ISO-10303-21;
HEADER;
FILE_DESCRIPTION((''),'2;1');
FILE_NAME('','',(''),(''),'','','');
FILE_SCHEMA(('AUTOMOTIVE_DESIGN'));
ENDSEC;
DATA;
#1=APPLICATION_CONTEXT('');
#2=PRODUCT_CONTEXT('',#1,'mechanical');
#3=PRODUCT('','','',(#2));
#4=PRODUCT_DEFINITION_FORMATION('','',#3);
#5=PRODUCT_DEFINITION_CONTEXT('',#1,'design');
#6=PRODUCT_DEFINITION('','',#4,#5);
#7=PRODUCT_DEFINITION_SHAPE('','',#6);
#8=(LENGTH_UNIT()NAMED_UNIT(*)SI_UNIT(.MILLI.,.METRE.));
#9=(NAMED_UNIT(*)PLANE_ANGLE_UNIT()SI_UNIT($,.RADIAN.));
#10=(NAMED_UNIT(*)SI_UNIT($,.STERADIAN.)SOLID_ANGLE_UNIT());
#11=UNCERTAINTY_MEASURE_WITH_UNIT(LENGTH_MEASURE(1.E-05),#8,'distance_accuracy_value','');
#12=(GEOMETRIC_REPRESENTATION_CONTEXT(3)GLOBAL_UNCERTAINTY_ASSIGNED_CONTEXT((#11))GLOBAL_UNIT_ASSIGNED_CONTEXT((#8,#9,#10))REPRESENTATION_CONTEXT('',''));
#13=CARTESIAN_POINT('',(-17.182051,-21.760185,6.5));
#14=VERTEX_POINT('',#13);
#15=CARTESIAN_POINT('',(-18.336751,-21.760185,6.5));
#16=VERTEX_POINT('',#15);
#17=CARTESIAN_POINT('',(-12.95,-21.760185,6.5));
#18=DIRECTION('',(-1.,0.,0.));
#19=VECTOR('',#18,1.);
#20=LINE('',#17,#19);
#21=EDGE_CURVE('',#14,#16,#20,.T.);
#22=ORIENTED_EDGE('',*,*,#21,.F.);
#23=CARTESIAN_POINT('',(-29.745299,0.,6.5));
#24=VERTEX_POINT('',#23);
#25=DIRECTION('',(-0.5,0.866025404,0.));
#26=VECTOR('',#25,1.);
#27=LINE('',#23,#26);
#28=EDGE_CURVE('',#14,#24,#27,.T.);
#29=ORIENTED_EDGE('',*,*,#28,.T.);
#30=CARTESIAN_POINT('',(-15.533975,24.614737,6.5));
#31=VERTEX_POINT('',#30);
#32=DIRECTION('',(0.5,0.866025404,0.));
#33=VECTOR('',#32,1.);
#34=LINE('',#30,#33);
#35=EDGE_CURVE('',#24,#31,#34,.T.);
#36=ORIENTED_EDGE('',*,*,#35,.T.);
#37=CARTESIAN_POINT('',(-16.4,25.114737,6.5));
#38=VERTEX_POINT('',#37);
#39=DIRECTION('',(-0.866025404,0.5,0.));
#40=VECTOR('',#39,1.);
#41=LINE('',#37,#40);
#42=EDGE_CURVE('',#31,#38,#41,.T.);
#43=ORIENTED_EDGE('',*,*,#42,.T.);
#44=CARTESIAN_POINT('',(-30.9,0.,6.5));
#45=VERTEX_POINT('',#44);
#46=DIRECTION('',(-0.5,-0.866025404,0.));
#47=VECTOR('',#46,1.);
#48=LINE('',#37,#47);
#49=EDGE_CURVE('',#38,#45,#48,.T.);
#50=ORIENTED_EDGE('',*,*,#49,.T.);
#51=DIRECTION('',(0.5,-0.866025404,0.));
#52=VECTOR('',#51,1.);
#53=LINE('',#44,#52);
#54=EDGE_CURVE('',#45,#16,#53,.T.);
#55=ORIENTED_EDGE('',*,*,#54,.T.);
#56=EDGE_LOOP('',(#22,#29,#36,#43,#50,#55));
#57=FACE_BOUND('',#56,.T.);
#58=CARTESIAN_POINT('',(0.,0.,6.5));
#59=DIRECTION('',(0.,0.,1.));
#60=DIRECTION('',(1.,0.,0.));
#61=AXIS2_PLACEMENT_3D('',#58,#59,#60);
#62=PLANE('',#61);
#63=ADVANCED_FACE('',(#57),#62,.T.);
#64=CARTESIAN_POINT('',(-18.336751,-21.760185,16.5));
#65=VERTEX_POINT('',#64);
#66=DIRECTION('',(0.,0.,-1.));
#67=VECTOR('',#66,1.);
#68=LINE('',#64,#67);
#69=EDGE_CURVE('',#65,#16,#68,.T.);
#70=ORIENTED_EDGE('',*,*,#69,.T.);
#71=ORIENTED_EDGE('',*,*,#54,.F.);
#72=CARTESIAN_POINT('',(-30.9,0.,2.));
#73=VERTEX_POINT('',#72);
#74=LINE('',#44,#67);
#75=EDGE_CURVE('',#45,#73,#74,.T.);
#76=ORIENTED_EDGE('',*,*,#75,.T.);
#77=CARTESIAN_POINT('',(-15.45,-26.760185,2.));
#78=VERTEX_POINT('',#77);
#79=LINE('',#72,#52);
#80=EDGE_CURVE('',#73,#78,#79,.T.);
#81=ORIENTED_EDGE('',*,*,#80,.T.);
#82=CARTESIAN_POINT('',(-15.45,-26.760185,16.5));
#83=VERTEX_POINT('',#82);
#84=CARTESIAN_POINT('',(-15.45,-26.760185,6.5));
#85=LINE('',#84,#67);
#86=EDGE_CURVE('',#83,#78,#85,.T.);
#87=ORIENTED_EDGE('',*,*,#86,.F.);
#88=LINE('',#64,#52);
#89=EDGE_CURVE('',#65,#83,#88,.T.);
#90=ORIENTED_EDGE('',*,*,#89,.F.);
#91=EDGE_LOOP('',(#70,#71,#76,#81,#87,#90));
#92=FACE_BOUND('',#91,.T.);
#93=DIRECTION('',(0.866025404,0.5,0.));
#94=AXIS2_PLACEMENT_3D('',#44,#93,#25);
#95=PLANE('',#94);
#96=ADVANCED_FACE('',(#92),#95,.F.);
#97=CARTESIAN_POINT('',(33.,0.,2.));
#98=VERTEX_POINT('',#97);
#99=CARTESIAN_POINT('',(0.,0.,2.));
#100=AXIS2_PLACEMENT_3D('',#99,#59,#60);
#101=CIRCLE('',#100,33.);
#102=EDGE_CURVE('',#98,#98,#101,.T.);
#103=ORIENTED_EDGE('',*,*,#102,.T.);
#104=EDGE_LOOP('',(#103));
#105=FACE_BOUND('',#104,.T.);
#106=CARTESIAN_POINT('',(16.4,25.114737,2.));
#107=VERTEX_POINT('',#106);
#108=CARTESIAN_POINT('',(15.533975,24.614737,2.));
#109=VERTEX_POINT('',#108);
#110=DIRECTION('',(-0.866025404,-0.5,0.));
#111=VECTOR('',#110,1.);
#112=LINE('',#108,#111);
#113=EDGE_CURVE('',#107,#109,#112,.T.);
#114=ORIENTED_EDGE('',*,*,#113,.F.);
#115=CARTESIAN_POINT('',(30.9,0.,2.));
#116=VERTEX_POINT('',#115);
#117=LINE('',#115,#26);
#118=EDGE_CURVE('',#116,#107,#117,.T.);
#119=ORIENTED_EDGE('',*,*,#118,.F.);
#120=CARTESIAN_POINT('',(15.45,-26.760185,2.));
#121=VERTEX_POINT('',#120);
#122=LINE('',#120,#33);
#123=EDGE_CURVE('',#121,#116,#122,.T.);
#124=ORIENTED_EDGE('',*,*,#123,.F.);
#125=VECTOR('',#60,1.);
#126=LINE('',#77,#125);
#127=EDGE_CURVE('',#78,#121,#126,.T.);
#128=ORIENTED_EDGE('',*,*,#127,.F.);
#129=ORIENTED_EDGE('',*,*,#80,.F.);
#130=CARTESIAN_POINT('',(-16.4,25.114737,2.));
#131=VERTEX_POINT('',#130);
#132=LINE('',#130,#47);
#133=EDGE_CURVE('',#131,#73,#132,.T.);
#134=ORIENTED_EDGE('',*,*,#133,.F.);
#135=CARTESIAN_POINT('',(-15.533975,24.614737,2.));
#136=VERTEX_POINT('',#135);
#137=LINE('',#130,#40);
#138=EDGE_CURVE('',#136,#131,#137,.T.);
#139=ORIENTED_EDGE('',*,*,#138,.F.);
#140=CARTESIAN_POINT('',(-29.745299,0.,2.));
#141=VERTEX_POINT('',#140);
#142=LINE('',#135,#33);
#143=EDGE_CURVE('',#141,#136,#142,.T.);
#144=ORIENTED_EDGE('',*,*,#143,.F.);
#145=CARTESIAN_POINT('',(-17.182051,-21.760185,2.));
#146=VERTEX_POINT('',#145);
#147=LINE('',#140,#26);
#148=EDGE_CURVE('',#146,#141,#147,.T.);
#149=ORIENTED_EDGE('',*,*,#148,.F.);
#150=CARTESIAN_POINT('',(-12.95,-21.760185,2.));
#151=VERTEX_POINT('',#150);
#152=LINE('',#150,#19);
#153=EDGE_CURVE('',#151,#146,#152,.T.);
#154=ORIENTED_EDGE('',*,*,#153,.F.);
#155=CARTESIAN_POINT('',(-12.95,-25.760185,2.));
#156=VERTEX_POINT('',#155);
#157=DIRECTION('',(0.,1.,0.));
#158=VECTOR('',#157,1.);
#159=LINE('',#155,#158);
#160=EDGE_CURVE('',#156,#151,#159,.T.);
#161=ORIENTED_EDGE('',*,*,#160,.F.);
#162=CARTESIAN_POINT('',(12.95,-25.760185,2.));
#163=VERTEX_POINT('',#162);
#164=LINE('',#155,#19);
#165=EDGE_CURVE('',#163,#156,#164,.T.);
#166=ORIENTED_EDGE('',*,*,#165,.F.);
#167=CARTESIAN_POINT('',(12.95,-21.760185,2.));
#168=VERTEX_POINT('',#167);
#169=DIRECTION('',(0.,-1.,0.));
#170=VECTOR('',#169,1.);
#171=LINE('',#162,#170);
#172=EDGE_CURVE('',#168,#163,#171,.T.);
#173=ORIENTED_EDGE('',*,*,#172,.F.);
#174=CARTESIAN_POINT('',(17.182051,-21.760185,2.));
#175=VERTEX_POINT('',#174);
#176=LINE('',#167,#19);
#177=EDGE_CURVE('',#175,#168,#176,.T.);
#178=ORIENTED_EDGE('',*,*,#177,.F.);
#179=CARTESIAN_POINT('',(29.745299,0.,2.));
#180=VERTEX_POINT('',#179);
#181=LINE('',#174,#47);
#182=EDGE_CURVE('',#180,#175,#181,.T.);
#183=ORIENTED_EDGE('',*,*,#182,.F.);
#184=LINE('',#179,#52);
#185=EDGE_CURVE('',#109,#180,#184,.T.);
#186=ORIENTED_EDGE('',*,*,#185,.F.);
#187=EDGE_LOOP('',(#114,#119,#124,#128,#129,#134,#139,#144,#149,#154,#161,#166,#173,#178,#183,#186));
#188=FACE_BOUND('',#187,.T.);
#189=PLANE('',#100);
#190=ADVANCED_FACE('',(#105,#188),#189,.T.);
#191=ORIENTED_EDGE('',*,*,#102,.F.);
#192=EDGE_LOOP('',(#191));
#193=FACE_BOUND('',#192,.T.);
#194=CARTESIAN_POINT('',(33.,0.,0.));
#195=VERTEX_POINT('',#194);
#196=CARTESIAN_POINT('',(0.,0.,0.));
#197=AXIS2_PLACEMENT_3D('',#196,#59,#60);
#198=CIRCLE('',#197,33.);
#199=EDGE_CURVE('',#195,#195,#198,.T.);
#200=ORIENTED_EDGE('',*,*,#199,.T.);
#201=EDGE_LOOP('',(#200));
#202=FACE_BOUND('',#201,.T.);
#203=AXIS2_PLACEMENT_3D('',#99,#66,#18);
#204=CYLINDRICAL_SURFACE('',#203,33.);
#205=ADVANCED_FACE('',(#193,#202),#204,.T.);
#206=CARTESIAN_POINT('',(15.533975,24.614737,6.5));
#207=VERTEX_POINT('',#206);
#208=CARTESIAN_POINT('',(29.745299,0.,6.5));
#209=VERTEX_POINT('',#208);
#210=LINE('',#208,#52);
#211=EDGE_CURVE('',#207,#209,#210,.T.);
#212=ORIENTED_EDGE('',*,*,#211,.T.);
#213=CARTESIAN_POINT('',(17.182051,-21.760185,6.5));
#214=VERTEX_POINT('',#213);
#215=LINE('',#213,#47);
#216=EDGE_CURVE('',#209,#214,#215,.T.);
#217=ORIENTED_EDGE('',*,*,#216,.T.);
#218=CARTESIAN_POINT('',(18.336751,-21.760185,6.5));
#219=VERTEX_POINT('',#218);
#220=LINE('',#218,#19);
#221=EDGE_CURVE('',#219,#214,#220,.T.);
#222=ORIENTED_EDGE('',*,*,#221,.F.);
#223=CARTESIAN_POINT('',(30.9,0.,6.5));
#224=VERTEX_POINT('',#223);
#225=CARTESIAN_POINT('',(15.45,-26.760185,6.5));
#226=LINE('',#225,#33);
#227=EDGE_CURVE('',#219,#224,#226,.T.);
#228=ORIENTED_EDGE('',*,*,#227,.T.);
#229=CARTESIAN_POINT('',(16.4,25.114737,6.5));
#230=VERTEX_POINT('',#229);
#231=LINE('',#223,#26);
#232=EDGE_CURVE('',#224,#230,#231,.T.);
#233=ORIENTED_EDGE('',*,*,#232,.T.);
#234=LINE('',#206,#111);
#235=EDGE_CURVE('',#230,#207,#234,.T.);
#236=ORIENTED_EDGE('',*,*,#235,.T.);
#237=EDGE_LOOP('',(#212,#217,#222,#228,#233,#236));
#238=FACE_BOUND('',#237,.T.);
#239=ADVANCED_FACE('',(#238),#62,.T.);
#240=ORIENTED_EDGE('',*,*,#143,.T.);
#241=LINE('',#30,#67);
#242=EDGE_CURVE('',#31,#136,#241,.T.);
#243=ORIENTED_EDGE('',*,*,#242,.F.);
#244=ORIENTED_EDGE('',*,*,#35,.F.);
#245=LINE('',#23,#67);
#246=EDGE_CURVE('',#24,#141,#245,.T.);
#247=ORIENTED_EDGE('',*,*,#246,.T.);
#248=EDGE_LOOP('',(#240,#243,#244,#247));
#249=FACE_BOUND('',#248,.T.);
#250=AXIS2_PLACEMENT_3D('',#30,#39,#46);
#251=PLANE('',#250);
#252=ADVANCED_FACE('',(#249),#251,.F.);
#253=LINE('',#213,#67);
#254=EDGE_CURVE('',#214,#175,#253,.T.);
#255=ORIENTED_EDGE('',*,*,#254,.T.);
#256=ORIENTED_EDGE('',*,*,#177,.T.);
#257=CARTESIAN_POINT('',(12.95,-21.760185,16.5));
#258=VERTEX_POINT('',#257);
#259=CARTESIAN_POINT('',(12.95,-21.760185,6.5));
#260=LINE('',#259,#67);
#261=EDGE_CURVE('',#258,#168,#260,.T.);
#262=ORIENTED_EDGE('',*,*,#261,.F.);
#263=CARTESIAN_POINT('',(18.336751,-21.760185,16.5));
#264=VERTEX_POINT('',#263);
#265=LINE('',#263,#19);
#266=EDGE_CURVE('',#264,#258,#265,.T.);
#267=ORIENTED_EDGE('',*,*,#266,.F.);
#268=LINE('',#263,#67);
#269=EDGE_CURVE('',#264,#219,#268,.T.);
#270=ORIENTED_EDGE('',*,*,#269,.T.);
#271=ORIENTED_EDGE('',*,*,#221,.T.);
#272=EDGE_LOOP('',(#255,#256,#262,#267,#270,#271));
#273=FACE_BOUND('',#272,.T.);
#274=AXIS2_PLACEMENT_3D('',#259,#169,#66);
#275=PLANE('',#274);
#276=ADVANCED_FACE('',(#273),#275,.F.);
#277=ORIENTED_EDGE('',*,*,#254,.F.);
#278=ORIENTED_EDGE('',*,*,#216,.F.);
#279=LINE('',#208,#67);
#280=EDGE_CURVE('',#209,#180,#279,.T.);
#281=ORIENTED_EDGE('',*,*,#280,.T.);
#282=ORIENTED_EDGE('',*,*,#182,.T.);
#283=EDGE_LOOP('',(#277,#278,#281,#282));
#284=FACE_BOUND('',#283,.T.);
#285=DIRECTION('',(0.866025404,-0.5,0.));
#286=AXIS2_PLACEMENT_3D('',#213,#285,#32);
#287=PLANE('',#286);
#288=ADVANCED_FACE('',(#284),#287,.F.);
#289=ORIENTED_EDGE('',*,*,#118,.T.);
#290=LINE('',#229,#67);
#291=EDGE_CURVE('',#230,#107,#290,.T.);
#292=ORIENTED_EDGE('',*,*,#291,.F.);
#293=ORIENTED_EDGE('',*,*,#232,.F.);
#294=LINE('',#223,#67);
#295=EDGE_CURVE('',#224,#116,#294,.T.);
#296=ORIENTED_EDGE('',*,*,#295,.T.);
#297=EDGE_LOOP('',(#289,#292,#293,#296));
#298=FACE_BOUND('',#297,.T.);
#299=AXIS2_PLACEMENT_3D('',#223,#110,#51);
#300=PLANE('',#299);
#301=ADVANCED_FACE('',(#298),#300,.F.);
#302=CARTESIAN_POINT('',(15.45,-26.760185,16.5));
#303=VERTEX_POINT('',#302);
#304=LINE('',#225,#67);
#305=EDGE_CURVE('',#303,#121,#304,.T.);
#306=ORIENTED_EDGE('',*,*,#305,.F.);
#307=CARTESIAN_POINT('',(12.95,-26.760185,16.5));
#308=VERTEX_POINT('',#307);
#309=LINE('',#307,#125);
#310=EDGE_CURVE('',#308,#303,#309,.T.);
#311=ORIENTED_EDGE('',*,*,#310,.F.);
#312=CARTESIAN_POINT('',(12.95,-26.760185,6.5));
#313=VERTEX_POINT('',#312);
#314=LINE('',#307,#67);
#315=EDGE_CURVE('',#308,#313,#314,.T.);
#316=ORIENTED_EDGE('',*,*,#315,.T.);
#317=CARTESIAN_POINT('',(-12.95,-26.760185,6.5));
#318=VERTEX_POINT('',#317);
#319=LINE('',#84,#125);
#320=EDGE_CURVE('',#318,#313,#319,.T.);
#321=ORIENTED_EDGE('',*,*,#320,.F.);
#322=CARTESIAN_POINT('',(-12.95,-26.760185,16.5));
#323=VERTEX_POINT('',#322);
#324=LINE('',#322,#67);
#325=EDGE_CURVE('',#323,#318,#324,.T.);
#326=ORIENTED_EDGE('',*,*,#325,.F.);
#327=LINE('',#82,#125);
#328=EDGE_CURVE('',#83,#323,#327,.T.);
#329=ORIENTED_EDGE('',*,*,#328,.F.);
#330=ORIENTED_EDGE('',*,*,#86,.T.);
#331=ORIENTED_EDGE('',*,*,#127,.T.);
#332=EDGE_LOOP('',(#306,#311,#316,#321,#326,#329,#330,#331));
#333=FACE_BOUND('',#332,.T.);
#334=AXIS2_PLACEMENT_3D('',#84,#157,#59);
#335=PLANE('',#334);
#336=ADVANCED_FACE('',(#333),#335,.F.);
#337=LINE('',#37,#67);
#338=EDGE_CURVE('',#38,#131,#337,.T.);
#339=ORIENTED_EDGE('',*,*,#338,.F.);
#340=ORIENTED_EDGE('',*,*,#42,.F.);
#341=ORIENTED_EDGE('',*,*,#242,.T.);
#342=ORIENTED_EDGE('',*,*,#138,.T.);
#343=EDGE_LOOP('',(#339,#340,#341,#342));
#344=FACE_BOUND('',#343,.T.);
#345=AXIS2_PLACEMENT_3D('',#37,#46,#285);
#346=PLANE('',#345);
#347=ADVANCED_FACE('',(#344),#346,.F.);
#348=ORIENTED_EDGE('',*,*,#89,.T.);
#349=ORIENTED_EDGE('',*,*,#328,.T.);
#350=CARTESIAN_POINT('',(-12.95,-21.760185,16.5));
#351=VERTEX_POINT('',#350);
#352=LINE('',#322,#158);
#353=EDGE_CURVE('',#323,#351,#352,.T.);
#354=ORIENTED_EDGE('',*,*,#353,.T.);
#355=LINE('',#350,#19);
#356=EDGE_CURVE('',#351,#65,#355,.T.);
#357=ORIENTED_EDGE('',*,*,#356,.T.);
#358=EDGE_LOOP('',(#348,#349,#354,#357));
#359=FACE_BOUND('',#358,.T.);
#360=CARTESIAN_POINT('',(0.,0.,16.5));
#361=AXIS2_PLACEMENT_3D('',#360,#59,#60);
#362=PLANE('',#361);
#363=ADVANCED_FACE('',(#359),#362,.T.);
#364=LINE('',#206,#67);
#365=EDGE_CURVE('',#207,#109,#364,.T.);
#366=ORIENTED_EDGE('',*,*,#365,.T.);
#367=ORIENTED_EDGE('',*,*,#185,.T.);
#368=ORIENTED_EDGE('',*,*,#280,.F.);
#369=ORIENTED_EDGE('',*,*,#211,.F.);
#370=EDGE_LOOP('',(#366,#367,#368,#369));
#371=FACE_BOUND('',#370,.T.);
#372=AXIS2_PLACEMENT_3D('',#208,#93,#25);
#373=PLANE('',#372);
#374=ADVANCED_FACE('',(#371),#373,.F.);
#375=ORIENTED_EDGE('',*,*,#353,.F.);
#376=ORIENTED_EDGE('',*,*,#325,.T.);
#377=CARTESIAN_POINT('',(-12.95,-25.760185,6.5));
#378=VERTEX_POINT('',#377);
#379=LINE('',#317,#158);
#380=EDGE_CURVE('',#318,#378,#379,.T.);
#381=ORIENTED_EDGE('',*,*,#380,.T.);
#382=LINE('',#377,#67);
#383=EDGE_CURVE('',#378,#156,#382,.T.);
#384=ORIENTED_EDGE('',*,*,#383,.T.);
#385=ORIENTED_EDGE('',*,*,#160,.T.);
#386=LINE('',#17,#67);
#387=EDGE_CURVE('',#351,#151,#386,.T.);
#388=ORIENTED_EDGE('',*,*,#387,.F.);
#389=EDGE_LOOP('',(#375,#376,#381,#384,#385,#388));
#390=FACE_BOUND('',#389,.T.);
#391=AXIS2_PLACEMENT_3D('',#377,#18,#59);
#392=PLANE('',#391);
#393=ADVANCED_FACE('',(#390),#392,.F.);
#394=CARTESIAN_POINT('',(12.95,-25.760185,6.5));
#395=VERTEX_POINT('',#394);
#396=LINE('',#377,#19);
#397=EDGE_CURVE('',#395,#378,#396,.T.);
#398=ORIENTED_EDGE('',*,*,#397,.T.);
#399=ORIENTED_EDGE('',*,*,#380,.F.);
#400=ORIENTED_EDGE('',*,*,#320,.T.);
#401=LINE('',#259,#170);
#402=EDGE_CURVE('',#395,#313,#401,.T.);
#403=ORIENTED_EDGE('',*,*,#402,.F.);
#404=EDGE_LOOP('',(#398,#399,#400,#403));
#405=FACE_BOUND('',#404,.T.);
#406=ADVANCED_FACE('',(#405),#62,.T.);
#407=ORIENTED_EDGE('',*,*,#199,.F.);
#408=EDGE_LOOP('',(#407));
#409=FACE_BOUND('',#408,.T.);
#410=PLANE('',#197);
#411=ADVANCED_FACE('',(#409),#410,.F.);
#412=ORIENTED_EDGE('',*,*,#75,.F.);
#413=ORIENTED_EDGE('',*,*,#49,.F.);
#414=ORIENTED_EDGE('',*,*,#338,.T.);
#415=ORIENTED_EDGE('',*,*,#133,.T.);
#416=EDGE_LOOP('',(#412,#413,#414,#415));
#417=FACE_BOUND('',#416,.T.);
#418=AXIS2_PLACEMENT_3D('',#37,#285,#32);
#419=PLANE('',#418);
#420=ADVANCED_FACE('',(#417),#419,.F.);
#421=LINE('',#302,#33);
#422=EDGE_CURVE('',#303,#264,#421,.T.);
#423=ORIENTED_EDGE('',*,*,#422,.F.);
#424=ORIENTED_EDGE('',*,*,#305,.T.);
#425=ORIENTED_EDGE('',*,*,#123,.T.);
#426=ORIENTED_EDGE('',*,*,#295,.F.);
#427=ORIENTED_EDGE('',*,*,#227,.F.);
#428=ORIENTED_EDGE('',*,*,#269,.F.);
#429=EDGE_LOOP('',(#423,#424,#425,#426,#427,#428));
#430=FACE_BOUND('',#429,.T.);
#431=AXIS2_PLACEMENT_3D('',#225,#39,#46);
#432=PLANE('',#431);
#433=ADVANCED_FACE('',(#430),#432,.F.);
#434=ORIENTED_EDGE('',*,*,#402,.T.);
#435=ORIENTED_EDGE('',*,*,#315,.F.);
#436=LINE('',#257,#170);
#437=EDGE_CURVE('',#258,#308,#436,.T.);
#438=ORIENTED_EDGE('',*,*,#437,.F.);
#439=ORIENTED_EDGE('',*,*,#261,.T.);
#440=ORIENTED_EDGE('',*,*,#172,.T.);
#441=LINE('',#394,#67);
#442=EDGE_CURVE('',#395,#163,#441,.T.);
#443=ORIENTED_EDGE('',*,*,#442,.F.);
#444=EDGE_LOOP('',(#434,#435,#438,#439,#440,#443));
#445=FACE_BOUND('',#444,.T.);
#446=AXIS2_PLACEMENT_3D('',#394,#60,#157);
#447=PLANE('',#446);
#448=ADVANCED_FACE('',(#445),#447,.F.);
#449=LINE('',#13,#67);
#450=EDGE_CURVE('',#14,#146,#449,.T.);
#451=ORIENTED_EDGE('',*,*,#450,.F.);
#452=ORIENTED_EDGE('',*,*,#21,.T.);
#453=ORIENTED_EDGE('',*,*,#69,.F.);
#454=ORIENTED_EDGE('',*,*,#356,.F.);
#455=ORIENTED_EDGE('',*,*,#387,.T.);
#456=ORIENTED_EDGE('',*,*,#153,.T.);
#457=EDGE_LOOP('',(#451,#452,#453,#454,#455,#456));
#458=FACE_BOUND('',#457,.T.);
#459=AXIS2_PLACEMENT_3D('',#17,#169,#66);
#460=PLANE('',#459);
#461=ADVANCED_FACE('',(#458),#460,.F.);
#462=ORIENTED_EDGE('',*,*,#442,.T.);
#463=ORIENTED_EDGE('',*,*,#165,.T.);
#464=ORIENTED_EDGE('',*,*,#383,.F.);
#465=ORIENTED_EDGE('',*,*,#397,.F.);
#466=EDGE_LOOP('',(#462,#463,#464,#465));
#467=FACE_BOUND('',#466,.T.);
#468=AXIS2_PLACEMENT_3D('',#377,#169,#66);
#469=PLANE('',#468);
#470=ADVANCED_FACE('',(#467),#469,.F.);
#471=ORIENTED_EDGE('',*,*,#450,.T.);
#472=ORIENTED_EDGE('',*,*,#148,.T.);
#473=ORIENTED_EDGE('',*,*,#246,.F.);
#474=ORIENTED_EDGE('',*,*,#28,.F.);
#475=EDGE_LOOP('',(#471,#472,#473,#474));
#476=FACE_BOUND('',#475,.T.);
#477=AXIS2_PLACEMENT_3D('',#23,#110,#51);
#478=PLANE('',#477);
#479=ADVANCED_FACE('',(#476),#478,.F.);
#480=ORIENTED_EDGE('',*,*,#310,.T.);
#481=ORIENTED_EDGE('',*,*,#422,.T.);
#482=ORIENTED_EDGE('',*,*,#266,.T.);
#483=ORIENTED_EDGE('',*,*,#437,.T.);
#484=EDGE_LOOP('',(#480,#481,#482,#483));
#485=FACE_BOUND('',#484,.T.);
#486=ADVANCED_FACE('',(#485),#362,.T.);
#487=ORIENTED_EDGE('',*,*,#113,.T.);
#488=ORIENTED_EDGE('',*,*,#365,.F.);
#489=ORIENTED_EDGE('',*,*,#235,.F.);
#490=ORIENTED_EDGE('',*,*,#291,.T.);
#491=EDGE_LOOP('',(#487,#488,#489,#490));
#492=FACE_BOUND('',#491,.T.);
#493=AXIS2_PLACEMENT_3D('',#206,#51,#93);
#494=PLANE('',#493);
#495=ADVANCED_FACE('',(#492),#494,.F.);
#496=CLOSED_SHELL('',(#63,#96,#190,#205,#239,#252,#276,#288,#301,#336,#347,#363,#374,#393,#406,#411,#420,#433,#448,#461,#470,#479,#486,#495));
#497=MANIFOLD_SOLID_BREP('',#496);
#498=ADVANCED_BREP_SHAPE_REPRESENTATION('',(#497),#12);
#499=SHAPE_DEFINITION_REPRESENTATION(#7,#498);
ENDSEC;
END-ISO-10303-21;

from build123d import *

# Parameters (mm, degrees)
SKETCH1_R           = 33
BOSS_EXTRUDE1_DEPTH = 2
BOSS_EXTRUDE2_DEPTH = 4.5
BOSS_EXTRUDE3_DEPTH = 10


with BuildPart() as part:
    # Sketch1 → Boss-Extrude1 (new body)
    with BuildSketch(Plane.XY):
        Circle(SKETCH1_R)
    extrude(amount=BOSS_EXTRUDE1_DEPTH)

    # Sketch3 → Boss-Extrude2 (add)
    with BuildSketch(Plane.XY.offset(2)):
        Polygon((-15.533974596, 24.61473671), (-29.745299462, 0), (-17.182050808, -21.760184977), (-12.95, -21.760184977), (-12.95, -25.760184977), (12.95, -25.760184977), (12.95, -21.760184977), (17.182050808, -21.760184977), (29.745299462, 0), (15.533974596, 24.61473671), (16.4, 25.11473671), (30.9, 0), (15.45, -26.760184977), (-15.45, -26.760184977), (-30.9, 0), (-16.4, 25.11473671), align=None)
    extrude(amount=BOSS_EXTRUDE2_DEPTH)

    # Sketch4 → Boss-Extrude3 (add)
    with BuildSketch(Plane.XY.offset(6.5)):
        Polygon((-12.95, -21.760184977), (-18.336751346, -21.760184977), (-15.45, -26.760184977), (-12.95, -26.760184977), align=None)
        Polygon((12.95, -21.760184977), (12.95, -26.760184977), (15.45, -26.760184977), (18.336751346, -21.760184977), align=None)
    extrude(amount=BOSS_EXTRUDE3_DEPTH)


solid = part.part
